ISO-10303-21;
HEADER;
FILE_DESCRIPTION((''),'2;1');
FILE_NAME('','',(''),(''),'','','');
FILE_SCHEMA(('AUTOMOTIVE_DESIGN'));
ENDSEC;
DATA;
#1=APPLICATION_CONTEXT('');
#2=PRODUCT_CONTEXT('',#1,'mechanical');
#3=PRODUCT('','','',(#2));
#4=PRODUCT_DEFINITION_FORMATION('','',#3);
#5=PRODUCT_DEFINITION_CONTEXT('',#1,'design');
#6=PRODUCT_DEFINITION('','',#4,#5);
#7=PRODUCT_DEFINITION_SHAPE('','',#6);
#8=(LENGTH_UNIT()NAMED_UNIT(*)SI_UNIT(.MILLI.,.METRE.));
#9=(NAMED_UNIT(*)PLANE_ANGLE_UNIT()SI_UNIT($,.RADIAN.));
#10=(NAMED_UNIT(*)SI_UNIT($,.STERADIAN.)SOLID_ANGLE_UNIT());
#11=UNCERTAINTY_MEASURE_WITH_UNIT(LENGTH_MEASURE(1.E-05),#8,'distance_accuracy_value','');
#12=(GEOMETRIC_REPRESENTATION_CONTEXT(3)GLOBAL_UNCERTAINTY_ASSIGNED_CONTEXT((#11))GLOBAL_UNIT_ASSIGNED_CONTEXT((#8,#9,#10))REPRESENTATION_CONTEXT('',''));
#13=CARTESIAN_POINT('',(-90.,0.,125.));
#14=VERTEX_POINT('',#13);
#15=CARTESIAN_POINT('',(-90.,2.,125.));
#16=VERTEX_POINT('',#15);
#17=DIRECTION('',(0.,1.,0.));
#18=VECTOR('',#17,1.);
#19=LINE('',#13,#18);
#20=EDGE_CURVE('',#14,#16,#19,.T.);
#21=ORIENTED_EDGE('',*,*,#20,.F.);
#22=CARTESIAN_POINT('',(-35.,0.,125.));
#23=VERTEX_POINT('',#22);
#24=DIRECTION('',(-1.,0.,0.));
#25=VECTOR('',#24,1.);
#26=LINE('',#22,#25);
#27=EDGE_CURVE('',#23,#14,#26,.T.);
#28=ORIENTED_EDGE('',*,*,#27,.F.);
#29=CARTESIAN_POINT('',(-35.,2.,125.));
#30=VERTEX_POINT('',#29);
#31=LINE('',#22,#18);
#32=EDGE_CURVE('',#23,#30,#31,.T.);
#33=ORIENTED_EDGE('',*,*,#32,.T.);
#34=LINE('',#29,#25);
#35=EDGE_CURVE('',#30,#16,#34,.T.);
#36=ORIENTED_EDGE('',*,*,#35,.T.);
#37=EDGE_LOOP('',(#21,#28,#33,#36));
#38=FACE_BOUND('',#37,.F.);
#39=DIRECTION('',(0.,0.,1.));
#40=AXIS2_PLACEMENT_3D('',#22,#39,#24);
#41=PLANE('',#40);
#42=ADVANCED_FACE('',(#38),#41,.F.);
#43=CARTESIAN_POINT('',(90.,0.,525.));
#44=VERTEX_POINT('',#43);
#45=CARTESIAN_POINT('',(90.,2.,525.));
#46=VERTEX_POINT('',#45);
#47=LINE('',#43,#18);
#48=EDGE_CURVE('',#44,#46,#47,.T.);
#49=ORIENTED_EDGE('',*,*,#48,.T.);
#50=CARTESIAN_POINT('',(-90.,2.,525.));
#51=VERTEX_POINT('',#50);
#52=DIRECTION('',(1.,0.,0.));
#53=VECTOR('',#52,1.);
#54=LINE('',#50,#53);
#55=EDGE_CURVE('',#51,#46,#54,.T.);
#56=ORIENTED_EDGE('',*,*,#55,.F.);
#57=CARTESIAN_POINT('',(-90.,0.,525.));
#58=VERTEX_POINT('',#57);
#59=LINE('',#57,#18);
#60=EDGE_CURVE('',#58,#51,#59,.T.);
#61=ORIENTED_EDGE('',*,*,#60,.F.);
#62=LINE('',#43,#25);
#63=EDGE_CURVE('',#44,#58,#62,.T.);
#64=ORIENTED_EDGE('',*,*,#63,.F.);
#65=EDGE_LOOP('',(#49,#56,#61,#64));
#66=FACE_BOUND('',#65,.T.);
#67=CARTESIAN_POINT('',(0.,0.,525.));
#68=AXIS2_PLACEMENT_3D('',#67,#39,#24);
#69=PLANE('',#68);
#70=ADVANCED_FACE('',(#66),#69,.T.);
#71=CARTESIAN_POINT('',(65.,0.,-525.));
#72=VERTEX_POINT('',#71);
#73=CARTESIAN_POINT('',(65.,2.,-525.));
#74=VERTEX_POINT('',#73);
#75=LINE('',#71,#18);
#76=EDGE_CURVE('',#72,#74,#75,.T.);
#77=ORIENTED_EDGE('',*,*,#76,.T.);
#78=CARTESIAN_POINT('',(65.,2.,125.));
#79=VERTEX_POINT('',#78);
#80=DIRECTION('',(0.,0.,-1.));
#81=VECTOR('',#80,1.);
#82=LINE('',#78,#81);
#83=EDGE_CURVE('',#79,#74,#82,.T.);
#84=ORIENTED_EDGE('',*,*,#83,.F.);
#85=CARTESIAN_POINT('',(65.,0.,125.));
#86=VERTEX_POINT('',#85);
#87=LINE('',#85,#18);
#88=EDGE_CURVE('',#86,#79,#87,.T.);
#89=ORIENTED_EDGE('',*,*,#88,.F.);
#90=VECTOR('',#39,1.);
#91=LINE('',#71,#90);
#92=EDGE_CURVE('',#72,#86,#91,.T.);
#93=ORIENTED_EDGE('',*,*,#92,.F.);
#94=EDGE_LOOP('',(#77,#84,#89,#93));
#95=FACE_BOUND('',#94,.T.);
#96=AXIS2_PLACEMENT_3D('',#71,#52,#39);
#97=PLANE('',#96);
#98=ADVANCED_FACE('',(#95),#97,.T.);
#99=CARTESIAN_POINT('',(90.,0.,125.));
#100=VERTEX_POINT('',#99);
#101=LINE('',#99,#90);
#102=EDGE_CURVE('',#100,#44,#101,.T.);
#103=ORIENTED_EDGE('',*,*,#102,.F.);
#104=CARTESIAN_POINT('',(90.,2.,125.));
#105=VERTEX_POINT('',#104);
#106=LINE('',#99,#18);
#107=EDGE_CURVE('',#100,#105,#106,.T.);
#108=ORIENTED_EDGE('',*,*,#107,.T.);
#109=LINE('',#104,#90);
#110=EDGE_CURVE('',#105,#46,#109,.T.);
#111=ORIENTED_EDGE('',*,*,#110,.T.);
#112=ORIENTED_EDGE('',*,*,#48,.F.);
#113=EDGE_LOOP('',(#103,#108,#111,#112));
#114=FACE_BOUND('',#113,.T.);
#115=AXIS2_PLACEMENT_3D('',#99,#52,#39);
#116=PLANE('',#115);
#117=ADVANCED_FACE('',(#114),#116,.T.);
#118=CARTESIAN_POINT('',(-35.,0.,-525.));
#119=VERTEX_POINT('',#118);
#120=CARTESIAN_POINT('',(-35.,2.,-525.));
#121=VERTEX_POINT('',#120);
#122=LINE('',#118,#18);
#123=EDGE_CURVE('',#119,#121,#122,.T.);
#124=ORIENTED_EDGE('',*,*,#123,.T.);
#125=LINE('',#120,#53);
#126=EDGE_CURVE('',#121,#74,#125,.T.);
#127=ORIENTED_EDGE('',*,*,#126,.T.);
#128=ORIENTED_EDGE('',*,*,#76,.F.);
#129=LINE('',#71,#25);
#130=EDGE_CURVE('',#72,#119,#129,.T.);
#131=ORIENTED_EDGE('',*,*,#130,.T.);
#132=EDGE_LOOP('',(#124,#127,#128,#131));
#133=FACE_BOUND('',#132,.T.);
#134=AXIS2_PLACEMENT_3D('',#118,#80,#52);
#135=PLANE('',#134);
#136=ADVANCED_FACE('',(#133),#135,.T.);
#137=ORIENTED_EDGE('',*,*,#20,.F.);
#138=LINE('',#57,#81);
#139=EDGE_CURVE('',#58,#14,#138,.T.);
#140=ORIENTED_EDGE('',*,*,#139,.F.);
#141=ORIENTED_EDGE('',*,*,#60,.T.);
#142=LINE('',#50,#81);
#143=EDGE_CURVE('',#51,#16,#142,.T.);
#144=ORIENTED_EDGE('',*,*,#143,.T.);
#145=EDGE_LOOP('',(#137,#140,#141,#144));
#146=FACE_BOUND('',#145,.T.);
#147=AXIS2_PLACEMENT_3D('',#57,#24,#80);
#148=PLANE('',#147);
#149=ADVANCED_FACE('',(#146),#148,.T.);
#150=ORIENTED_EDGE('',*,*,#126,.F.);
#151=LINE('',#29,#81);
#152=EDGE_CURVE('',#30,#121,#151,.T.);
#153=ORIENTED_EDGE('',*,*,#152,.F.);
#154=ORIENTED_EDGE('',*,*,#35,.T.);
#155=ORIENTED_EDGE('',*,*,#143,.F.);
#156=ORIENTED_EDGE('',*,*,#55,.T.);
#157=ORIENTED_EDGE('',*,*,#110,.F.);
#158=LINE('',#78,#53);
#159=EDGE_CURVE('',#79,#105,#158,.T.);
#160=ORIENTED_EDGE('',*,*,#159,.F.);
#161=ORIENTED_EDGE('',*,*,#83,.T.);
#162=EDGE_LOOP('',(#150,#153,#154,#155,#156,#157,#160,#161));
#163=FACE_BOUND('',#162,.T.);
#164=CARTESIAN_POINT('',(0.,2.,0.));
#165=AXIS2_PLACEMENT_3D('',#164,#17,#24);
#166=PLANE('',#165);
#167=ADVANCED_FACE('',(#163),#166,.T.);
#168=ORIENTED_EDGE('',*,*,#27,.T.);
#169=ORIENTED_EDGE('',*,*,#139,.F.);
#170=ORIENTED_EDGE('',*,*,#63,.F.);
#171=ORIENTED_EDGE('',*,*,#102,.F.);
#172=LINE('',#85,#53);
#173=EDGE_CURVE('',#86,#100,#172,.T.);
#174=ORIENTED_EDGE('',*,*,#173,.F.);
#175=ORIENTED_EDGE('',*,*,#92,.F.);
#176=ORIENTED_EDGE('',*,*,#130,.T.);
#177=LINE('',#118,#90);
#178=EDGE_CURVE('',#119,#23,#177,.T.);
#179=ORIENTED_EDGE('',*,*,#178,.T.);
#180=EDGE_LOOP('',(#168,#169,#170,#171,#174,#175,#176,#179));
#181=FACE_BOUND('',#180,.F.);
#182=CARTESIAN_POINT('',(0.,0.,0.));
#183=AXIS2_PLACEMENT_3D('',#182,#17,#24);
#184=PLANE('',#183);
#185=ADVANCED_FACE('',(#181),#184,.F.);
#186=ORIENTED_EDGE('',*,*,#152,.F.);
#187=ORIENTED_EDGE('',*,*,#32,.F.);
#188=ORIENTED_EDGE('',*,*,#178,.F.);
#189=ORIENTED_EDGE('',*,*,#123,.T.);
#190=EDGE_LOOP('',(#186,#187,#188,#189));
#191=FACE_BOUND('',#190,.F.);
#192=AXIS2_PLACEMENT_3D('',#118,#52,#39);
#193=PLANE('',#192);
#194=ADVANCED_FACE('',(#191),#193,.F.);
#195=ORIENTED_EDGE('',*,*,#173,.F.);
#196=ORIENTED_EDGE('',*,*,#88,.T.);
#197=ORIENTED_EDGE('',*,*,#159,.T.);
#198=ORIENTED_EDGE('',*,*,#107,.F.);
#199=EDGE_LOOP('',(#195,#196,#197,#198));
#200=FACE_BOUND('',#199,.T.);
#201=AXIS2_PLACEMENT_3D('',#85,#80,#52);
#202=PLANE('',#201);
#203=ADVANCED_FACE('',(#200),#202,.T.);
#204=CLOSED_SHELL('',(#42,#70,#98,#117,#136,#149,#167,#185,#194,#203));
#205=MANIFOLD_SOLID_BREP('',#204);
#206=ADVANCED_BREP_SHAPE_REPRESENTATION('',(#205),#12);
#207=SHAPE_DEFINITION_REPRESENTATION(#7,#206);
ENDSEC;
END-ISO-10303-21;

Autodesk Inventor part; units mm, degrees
ref_plane "YZ Plane" through (0, 0, 0) normal (1, 0, 0) x (0, 1, 0)
ref_plane "XZ Plane" through (0, 0, 0) normal (0, 1, 0) x (-1, 0, 0)
ref_plane "XY Plane" through (0, 0, 0) normal (0, 0, 1) x (1, 0, 0)
sketch "Sketch1" plane through (0, 0, 0) normal (0, 1, 0) x (-1, 0, 0)
  line L0 (35, -525) -> (-65, -525)
  line L1 (-90, 125) -> (-90, 525)
  line L2 (-90, 525) -> (90, 525)
  line L3 (-65, -525) -> (-65, 125)
  line L4 (-65, 125) -> (-90, 125)
  line L5 (0, 525) -> (0, -525)
  line L6 (35, -525) -> (35, 125)
  line L7 (35, 125) -> (90, 125)
  line L8 (90, 525) -> (90, 125)
  line L9 (35, 0) -> (-65, 0)
  point P0 (0, 0)
  dimension "d2" = 650
  dimension "d6" = 1050
  dimension "d7" = 180
  dimension "d8" = 55
  dimension "d9" = 155
extrude "Extrusion1" add sketch "Sketch1" along normal blind 2
properties part number "La" material "LCP Plastic"
